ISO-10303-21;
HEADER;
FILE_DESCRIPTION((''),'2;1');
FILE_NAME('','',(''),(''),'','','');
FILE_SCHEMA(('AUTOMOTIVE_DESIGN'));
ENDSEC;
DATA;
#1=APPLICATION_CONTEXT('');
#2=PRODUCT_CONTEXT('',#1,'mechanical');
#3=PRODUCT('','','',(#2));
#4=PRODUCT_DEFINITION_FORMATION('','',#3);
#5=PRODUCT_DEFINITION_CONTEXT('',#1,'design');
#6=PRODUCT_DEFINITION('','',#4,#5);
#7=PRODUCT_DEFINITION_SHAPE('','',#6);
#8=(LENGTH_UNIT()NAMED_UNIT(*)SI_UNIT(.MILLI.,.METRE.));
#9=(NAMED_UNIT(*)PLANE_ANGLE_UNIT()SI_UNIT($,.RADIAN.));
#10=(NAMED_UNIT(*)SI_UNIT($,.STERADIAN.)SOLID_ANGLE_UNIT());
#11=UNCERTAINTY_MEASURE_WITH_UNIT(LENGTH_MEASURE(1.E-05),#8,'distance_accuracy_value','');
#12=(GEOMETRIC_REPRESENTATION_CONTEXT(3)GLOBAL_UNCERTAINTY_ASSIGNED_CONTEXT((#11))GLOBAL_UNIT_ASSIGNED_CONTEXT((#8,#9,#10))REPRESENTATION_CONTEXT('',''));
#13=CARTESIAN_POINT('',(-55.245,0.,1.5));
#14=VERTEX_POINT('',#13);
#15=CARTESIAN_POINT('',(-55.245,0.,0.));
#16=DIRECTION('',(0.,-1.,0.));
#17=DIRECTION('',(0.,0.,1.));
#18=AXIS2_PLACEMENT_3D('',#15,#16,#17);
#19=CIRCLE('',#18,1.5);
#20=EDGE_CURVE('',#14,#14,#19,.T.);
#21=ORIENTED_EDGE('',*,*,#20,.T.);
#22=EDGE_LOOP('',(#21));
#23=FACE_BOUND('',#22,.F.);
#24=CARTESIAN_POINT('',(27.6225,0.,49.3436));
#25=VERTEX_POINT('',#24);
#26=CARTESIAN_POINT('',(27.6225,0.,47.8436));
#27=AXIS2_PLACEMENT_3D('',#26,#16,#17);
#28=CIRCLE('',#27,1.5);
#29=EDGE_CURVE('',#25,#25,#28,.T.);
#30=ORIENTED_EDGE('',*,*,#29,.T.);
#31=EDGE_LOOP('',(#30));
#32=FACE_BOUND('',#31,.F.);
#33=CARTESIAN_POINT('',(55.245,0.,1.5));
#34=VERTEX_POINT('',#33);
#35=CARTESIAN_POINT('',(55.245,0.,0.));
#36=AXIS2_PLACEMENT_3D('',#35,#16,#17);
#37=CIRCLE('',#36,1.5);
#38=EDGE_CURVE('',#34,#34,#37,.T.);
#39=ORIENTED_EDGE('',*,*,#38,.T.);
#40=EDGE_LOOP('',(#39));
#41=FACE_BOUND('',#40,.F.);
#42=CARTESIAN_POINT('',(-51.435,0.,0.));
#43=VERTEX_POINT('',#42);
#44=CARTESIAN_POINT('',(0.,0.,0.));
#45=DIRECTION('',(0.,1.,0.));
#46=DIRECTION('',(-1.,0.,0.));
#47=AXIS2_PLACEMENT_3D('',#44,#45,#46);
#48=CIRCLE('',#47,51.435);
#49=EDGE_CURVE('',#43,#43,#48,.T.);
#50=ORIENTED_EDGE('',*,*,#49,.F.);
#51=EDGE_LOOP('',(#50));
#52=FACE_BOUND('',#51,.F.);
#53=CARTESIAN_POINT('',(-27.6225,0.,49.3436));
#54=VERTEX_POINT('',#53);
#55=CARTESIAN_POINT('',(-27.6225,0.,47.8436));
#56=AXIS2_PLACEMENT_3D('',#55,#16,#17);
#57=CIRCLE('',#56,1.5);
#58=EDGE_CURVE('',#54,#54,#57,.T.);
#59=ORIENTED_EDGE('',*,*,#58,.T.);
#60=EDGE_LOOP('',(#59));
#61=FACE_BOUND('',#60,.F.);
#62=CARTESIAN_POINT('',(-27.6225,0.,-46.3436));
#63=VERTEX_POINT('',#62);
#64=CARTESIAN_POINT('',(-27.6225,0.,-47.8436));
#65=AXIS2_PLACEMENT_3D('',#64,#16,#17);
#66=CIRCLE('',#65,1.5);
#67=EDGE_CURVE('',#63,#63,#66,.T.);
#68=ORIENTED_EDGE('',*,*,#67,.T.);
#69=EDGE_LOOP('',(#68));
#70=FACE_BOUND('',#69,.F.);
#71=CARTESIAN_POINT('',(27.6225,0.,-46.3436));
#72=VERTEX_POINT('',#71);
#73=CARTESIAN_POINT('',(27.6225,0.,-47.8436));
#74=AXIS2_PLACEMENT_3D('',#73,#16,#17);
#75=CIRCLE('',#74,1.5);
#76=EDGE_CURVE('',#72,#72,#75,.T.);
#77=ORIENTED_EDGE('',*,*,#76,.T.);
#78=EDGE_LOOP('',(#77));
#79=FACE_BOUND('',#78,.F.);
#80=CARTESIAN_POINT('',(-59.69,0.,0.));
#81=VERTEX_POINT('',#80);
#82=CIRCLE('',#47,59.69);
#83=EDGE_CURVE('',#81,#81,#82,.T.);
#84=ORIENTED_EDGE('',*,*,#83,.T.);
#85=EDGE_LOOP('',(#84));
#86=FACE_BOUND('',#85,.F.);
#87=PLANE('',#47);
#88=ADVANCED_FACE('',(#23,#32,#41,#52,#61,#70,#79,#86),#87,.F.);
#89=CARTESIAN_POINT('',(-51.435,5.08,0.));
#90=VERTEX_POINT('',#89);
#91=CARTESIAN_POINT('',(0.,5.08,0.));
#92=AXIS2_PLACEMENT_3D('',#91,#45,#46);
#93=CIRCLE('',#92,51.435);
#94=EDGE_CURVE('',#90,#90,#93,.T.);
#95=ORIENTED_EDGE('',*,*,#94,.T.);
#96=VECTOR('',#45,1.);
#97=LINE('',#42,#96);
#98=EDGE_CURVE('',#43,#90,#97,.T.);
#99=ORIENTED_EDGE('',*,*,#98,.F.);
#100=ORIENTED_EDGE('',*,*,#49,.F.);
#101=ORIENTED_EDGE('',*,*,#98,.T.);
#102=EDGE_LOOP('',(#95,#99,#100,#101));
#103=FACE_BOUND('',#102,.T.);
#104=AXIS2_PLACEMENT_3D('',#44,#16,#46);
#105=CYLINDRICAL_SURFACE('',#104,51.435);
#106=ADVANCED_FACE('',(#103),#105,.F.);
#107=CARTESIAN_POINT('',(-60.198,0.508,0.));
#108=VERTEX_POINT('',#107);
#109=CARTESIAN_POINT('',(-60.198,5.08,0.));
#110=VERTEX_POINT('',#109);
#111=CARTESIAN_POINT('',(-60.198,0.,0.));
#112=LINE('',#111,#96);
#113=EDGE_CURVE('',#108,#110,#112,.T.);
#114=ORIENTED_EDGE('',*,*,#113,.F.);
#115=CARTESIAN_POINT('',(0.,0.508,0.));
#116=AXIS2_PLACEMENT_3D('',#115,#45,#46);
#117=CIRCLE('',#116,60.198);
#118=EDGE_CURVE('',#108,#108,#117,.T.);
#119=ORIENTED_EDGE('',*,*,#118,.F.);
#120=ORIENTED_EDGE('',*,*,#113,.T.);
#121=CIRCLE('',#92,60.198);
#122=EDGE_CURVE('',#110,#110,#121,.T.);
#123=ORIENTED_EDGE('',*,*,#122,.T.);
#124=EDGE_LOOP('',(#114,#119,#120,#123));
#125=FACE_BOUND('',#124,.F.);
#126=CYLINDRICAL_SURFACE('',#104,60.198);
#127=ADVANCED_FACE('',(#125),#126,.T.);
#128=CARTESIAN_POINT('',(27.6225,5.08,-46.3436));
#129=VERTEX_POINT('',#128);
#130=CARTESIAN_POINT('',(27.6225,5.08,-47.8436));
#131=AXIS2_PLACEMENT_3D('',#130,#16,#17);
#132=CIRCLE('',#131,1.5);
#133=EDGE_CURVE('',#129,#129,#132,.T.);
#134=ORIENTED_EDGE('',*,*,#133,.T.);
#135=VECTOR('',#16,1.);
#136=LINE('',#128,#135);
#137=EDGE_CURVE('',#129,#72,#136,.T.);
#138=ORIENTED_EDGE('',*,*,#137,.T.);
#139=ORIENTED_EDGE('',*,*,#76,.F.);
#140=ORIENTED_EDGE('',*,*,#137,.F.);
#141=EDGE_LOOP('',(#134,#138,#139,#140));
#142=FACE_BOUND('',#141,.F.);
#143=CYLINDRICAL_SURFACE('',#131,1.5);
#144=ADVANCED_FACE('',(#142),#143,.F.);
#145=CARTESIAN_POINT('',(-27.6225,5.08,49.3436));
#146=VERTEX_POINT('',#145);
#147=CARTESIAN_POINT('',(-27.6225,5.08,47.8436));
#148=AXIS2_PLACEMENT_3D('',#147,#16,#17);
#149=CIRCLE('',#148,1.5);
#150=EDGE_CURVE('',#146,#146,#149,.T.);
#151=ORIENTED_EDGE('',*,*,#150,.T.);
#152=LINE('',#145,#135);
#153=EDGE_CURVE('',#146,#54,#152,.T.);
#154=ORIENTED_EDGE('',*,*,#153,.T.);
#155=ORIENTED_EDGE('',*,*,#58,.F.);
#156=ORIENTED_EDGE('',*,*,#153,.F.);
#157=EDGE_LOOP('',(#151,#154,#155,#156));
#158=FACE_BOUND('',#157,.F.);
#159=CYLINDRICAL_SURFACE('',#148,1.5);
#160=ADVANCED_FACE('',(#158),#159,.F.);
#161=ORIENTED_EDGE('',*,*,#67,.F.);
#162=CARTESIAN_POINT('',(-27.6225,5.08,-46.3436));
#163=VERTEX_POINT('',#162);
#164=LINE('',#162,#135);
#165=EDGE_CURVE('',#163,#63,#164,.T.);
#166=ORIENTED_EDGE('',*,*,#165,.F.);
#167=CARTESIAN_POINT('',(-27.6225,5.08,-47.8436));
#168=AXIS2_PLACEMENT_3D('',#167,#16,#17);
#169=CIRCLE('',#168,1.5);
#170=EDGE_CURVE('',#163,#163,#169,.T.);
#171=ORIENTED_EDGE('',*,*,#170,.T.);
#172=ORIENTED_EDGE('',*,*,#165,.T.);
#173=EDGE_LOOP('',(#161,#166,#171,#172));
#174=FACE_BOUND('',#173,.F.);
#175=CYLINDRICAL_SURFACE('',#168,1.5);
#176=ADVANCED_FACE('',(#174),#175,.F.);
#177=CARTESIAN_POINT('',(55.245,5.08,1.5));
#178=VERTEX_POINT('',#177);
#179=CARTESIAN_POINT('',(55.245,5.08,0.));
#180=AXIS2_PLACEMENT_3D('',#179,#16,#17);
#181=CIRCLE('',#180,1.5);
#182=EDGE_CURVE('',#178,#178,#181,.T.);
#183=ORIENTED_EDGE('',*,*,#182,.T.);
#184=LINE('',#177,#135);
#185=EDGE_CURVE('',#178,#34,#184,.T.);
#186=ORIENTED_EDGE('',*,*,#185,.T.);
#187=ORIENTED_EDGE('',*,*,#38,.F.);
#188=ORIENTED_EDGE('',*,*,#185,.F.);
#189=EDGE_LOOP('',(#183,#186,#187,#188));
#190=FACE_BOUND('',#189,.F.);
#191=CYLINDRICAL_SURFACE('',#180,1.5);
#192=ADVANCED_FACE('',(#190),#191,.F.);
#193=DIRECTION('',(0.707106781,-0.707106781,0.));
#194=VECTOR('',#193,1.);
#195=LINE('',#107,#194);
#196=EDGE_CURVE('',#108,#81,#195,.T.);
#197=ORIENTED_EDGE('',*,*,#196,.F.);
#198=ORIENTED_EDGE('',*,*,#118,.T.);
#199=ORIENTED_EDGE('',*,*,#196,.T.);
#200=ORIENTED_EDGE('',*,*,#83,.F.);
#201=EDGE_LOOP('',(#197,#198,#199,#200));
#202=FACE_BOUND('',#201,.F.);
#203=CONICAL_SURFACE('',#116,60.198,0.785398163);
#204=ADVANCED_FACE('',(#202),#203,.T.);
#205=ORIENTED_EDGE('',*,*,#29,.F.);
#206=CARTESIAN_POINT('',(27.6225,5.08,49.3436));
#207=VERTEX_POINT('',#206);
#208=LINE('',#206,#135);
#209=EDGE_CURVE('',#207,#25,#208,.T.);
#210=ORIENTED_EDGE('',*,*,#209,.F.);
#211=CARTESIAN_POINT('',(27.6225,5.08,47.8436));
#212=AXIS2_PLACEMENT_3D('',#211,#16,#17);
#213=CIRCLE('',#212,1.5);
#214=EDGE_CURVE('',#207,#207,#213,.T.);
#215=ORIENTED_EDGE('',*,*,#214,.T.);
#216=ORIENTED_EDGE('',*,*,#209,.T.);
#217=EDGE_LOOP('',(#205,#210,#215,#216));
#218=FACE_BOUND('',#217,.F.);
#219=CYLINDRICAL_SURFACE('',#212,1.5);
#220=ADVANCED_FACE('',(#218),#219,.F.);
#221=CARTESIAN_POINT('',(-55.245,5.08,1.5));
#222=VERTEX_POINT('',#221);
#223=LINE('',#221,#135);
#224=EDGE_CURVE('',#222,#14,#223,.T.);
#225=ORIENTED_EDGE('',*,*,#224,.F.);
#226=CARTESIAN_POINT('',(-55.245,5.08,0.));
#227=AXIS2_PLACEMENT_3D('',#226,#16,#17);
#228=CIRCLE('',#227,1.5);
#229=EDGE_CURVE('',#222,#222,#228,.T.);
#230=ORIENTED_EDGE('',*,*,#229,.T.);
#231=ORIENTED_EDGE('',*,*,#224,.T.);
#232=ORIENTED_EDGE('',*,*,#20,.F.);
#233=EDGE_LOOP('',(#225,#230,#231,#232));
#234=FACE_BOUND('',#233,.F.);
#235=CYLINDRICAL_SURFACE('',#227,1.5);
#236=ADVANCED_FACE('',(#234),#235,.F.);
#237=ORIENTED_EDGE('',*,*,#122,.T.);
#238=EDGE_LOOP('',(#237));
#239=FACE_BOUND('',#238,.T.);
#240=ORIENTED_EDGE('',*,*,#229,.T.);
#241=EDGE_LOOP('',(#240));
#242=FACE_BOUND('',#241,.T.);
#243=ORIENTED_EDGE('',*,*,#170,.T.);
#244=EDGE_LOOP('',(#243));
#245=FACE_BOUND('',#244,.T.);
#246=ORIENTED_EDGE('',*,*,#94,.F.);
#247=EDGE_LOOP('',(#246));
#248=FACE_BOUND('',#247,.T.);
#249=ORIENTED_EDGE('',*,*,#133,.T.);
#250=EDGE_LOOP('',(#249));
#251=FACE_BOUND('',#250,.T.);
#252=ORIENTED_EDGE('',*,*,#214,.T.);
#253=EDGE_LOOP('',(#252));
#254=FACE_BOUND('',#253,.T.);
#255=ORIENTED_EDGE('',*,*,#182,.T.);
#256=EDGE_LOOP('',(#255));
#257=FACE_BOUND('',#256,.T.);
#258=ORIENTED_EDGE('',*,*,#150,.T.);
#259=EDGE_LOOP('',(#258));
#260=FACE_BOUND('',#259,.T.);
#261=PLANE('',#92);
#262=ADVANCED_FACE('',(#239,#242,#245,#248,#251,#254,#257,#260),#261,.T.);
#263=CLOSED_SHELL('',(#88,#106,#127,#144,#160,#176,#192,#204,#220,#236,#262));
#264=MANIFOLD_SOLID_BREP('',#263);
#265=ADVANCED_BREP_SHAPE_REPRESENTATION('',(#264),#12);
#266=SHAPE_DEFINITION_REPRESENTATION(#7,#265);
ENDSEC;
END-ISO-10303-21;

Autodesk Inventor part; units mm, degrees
ref_plane "YZ Plane" through (0, 0, 0) normal (1, 0, 0) x (0, 1, 0)
ref_plane "XZ Plane" through (0, 0, 0) normal (0, 1, 0) x (-1, 0, 0)
ref_plane "XY Plane" through (0, 0, 0) normal (0, 0, 1) x (1, 0, 0)
sketch "Sketch1" plane through (0, 0, 0) normal (0, 1, 0) x (-1, 0, 0)
  circle A0 centre (0, 0) radius 51.435
  circle A1 centre (0, 0) radius 60.198
  dimension "d0" = 102.87
  dimension "d1" = 120.396
extrude "Extrusion1" add sketch "Sketch1" along normal blind 5.08
sketch "Sketch2" plane through (0, 5.08, 0) normal (0, 1, 0) x (1, 0, 0)
  circle A0 centre (0, 0) radius 55.245
  point P0 (-55.245, 0)
  point P1 (-27.6225, -47.8436)
  point P2 (27.6225, -47.8436)
  point P3 (55.245, 0)
  point P4 (27.6225, 47.8436)
  point P5 (-27.6225, 47.8436)
  dimension "d4" = 110.49
  dimension "d8" = 360
hole "Hole1" at (-55.245, 5.08, 0) at (-27.6225, 5.08, 47.8436) at (27.6225, 5.08, 47.8436) at (55.245, 5.08, 0) at (27.6225, 5.08, -47.8436) at (-27.6225, 5.08, -47.8436) direction (0, -1, 0) diameter 3 end through all
chamfer "Chamfer1" distance 0.508 angle 45 1 edges at (60.198, 0, 0)
properties part number "Oring Fitting Dome V2 -part"
